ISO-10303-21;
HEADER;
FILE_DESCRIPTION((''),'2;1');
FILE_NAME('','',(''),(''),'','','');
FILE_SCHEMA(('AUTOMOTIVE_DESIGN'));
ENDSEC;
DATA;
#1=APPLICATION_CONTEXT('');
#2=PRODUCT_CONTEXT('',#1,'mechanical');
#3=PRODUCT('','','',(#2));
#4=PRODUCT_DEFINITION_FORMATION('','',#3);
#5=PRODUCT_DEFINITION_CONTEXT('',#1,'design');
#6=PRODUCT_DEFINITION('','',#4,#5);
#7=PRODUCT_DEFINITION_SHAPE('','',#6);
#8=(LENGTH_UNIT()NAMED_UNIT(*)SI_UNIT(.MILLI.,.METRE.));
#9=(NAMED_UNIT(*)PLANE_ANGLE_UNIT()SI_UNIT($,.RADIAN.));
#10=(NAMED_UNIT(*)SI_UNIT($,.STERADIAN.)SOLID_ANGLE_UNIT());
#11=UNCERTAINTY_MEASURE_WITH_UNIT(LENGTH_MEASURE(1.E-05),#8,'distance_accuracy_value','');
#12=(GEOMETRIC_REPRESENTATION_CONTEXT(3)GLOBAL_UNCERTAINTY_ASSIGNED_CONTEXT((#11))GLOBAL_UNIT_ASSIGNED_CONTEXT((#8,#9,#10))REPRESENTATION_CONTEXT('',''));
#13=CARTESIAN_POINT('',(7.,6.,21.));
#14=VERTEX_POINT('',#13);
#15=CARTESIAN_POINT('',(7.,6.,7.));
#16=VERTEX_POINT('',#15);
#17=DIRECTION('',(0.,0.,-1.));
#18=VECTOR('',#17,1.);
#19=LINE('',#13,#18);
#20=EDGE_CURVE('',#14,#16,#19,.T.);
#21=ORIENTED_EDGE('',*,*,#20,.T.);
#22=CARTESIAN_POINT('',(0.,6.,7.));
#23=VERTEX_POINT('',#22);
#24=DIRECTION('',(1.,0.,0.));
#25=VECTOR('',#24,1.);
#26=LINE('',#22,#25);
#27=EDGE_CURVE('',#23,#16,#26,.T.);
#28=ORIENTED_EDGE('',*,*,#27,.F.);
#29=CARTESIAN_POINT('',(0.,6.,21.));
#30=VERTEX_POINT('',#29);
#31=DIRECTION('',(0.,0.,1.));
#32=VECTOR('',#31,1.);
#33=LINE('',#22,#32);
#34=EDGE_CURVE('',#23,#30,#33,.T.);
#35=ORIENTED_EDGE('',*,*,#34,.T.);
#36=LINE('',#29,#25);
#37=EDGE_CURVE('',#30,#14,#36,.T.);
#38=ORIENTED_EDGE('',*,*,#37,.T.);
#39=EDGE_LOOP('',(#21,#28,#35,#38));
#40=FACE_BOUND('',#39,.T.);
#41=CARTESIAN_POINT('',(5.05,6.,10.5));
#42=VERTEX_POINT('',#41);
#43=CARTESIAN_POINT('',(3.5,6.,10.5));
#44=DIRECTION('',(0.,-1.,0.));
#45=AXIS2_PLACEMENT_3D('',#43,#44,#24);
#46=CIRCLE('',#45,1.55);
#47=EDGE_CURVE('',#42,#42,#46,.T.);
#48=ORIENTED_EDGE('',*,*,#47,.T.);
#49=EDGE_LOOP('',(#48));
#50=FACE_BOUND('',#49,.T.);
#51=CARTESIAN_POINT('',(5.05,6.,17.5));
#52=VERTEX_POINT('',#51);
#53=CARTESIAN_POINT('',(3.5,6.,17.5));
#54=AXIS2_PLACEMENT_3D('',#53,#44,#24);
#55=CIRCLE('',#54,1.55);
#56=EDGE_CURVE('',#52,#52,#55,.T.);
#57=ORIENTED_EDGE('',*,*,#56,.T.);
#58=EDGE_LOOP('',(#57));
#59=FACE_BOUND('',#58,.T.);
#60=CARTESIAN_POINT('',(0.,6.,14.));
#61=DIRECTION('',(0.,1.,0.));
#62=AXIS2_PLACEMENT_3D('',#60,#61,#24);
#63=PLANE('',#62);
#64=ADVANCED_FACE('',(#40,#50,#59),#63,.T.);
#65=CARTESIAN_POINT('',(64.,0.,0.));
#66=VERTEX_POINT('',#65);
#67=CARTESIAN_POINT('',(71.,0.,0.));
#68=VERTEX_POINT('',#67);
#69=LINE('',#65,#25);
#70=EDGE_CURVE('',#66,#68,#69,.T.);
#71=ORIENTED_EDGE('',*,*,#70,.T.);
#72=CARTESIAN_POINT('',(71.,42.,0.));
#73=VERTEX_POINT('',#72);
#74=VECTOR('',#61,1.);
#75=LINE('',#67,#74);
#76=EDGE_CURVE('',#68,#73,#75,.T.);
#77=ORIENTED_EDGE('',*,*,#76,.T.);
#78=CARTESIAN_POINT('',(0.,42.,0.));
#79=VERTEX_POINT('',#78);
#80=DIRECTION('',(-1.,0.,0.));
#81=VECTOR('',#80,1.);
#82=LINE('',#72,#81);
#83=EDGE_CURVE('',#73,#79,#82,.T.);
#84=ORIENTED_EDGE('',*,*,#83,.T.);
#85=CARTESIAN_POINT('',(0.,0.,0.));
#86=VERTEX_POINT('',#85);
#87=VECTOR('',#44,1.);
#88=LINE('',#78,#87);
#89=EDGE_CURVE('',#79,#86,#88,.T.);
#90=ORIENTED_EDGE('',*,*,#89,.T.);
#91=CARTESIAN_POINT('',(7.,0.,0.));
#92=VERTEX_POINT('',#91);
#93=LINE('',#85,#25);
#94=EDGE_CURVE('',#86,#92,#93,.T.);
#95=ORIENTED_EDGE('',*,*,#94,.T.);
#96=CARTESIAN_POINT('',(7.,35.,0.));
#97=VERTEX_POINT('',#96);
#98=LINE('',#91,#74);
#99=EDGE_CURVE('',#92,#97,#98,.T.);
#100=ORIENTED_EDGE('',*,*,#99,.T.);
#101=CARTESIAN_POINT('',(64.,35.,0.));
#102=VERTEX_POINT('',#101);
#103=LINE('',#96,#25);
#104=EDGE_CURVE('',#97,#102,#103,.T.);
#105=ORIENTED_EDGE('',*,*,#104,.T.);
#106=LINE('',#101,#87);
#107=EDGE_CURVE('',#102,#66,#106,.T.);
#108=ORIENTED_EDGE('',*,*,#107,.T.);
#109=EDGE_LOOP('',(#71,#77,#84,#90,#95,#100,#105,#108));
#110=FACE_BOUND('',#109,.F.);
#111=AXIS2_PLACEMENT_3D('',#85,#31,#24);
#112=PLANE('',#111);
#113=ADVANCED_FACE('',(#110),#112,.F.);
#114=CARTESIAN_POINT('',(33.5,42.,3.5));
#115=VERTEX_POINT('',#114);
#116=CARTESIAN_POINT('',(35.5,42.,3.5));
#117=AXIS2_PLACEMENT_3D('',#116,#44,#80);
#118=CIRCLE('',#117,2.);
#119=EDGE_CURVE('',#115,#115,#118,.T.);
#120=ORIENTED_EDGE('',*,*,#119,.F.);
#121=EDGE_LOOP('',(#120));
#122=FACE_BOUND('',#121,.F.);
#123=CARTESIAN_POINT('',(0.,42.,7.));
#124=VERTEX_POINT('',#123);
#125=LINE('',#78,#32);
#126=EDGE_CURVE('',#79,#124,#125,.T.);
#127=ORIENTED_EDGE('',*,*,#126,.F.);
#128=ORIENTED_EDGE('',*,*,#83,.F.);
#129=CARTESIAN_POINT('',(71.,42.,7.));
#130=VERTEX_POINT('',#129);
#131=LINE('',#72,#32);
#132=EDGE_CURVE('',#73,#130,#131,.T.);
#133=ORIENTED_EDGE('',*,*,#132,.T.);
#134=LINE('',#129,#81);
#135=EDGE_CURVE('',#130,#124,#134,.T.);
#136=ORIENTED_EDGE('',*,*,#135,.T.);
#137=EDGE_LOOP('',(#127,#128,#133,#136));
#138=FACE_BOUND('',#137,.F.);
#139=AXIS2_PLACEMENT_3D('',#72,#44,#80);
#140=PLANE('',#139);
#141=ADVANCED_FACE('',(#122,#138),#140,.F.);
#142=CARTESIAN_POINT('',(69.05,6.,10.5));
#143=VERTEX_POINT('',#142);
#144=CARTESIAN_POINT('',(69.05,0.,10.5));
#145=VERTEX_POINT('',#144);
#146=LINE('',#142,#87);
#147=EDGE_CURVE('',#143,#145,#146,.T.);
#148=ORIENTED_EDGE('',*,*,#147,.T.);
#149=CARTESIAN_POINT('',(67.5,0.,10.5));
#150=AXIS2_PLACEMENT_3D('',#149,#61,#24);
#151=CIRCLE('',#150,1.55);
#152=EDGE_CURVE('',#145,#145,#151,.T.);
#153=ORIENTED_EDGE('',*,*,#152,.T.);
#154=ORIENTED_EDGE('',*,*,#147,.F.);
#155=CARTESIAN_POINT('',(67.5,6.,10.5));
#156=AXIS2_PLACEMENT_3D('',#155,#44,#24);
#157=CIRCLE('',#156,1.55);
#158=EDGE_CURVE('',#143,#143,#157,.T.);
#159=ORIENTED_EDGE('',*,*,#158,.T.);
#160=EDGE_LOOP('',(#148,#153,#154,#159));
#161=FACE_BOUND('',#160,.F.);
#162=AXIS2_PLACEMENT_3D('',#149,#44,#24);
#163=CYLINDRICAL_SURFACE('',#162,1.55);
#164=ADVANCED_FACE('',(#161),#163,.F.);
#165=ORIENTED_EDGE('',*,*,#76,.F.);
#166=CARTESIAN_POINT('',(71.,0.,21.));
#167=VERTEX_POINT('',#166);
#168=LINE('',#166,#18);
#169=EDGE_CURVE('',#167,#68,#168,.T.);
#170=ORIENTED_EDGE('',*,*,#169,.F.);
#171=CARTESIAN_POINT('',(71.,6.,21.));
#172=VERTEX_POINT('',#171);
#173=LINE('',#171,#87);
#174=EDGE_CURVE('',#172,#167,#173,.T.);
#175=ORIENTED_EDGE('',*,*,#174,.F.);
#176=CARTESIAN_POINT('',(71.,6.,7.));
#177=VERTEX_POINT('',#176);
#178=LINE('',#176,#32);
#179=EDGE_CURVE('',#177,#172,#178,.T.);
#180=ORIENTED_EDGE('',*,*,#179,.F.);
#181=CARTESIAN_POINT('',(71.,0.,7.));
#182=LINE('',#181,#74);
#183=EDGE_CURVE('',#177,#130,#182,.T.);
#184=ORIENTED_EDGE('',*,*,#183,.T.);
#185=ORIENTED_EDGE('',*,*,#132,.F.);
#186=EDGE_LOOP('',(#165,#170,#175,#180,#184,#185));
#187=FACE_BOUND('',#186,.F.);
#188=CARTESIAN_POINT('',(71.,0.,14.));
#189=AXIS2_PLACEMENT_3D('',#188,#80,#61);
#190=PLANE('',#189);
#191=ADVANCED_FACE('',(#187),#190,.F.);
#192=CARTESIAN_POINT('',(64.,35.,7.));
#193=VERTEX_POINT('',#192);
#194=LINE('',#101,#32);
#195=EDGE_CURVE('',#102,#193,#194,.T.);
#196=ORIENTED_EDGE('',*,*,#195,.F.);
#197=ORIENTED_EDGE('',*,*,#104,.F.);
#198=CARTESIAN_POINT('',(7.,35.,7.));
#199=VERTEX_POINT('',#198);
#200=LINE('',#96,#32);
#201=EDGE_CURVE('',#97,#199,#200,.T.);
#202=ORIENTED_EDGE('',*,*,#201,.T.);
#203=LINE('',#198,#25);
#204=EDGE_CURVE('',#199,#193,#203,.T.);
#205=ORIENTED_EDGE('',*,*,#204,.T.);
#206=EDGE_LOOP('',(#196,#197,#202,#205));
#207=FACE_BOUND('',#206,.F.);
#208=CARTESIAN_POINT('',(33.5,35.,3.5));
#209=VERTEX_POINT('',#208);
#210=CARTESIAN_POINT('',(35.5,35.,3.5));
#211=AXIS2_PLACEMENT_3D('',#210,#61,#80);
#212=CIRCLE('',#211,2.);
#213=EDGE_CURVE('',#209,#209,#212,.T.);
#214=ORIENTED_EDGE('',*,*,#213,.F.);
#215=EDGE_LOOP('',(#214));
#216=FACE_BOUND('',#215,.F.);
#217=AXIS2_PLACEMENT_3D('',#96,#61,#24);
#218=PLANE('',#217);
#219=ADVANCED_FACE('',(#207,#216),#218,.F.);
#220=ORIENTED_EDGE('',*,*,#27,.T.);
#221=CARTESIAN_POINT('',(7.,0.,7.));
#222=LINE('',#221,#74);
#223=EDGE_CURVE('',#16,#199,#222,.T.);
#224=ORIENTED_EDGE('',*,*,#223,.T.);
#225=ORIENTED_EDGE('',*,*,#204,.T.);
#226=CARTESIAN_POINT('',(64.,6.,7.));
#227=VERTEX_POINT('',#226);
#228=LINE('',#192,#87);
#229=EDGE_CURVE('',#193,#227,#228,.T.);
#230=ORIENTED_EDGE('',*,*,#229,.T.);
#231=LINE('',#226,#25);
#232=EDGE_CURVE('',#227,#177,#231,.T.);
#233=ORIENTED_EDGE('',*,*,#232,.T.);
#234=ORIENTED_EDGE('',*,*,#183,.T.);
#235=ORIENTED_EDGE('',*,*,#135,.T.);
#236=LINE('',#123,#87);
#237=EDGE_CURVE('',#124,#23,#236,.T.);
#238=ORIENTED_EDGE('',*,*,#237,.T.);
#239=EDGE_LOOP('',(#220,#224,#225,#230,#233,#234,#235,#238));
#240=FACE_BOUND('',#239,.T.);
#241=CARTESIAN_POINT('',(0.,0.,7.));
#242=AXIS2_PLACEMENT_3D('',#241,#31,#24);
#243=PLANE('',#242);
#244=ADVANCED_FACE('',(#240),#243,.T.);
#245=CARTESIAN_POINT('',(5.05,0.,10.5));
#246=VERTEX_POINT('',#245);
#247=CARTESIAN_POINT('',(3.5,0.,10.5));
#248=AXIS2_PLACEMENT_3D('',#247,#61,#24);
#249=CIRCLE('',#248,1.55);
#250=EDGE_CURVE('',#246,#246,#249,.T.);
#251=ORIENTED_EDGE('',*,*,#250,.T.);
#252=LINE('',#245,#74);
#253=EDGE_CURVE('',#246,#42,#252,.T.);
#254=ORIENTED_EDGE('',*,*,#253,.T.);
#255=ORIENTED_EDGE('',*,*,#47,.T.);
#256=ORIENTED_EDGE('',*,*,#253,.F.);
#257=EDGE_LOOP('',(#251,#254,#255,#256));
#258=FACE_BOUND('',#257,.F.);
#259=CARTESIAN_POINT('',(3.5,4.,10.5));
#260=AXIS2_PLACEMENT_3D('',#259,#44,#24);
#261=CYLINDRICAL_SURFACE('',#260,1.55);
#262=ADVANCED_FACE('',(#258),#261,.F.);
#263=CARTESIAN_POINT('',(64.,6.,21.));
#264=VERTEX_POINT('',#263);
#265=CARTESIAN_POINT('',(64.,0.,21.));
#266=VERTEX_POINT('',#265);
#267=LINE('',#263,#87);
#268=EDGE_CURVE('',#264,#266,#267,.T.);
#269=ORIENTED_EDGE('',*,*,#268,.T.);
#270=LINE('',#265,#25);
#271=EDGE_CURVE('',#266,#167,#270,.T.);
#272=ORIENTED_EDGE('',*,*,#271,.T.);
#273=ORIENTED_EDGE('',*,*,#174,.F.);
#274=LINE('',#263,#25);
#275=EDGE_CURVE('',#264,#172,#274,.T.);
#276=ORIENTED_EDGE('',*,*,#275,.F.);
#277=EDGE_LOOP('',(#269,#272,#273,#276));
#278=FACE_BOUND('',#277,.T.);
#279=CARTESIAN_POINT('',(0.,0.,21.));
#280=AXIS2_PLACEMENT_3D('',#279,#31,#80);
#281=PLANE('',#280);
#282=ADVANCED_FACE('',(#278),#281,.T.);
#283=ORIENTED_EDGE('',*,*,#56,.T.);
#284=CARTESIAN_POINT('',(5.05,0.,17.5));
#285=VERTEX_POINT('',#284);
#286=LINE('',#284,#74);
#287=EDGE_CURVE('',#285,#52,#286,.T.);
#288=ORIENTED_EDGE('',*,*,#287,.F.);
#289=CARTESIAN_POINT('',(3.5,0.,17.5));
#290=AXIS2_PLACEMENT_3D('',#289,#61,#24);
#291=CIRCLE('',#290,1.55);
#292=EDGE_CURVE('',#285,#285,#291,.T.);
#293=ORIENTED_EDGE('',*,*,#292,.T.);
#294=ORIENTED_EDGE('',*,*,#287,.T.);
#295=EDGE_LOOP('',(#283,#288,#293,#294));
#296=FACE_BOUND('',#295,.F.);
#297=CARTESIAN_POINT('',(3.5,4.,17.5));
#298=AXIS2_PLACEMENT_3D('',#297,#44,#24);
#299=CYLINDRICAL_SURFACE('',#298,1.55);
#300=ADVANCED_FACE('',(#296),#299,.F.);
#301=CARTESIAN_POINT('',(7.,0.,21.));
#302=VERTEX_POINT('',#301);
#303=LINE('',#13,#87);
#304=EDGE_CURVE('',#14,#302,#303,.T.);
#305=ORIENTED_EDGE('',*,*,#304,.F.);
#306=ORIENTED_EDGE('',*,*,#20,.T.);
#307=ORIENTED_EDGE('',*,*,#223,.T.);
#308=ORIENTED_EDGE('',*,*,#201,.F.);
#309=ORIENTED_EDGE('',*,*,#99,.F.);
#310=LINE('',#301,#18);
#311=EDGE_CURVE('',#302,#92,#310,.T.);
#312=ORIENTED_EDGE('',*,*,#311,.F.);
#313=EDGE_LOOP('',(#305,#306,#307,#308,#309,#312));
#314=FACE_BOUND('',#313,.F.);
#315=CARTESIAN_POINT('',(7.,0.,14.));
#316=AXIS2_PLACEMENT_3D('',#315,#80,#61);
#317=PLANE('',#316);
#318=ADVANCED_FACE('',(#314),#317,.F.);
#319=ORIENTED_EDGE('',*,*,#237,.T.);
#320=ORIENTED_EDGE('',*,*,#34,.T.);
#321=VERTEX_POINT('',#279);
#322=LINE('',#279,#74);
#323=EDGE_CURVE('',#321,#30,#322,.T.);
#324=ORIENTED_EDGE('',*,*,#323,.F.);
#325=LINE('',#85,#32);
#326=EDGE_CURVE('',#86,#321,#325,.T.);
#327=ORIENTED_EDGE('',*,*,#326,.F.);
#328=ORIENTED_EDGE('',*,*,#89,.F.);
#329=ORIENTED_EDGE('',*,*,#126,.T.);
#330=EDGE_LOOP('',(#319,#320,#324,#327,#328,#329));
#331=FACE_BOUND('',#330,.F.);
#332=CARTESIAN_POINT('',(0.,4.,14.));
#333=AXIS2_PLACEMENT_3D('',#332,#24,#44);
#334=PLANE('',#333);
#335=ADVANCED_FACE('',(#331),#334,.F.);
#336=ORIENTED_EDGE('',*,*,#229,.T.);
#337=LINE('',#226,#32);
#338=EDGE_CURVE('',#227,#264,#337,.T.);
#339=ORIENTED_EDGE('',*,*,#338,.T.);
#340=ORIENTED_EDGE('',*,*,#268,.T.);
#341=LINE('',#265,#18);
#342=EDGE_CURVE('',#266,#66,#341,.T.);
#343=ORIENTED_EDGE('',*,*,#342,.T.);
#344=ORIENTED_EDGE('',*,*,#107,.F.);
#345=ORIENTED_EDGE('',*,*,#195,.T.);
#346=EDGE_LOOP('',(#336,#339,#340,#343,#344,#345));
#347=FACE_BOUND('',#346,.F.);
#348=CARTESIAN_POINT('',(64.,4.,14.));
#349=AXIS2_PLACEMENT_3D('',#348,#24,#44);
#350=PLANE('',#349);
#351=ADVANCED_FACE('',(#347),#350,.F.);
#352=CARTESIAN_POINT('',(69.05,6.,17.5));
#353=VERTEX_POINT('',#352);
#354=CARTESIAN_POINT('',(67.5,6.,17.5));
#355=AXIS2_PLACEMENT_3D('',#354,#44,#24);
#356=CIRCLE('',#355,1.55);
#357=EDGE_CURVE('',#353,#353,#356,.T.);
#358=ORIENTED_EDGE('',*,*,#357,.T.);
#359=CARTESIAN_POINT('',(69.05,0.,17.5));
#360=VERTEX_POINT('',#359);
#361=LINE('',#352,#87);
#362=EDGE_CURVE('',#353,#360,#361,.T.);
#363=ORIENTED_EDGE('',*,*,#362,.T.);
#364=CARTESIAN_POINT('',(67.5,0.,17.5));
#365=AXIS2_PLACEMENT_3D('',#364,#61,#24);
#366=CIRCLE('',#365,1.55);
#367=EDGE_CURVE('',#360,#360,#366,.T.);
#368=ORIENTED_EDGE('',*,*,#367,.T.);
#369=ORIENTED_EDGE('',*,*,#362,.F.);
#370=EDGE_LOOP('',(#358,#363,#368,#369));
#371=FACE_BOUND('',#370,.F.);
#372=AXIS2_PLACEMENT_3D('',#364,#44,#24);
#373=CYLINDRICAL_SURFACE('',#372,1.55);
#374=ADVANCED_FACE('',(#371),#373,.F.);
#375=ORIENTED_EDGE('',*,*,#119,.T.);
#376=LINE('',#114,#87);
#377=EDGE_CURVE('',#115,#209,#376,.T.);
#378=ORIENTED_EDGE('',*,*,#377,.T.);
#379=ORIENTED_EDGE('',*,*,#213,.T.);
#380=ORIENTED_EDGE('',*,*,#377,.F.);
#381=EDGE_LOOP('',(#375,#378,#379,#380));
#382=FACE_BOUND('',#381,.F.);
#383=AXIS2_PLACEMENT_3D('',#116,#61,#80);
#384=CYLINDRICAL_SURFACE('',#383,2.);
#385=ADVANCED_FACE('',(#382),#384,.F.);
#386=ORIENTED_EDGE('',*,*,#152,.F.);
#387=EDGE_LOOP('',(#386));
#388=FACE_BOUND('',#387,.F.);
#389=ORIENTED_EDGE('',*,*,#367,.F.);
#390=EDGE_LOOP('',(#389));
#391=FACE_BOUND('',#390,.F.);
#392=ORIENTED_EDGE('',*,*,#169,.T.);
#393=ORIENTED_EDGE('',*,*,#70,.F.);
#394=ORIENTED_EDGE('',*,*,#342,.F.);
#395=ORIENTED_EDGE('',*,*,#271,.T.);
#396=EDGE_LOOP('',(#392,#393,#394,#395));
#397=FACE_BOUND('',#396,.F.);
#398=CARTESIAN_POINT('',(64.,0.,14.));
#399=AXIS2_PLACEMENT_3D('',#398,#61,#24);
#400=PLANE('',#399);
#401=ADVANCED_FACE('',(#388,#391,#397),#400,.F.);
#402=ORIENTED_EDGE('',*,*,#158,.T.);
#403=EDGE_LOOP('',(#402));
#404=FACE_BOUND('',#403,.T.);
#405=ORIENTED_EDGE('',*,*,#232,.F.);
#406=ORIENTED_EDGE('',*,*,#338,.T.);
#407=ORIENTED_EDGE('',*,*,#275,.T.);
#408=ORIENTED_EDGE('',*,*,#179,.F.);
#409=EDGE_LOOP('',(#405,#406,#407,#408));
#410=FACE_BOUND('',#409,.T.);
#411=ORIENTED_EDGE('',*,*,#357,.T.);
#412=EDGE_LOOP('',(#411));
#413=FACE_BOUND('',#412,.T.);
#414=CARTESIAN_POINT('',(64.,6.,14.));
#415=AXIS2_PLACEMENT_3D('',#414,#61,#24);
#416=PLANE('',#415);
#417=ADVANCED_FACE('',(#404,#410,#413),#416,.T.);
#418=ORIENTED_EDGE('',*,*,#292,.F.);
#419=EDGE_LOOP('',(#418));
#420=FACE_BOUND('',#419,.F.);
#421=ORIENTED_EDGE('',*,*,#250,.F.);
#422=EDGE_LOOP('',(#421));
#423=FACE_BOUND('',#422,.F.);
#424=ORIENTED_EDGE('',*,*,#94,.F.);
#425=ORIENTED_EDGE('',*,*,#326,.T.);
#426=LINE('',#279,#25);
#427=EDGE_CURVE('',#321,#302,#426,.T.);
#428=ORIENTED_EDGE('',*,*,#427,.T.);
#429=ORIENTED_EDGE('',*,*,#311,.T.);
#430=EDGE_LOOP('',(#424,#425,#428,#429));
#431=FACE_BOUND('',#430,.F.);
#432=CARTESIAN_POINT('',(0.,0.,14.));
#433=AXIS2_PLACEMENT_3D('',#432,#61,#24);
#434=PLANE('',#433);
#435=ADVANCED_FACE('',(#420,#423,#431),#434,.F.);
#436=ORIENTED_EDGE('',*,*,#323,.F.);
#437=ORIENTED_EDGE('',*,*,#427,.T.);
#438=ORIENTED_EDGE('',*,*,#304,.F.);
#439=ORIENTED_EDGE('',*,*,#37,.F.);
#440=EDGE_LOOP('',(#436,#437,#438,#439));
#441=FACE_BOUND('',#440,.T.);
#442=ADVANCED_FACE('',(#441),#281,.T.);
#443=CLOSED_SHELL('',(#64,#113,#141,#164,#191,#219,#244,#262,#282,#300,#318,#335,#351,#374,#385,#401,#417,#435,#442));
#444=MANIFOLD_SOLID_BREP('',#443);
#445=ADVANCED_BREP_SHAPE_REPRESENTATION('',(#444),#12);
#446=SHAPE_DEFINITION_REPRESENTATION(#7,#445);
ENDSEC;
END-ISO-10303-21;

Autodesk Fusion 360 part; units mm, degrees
sketch "Sketch1" plane through (0, 0, 0) normal (0, 0, 1) x (1, 0, 0)
  line L0 (0, 0) -> (7, 0)
  line L1 (7, 0) -> (7, 35)
  line L2 (7, 35) -> (64, 35)
  line L3 (64, 35) -> (64, 0)
  line L4 (64, 0) -> (71, 0)
  line L5 (71, 0) -> (71, 42)
  line L6 (71, 42) -> (0, 42)
  line L7 (0, 42) -> (0, 0)
  dimension "d1" = 7
  dimension "d2" = 35
  dimension "d3" = 57
  dimension "d9" = 7
extrude "Extrude1" add sketch "Sketch1" along normal blind 7
sketch "Sketch2" plane through (0, 0, 7) normal (0, 0, 1) x (-1, 0, 0)
  line L0 (0, -42) -> (0, 0)
  line L1 (0, 0) -> (-7, 0)
  line L2 (-7, 0) -> (-7, -35)
  line L3 (-7, -35) -> (-64, -35)
  line L4 (-64, -35) -> (-64, 0)
  line L5 (-64, 0) -> (-71, 0)
  line L6 (-71, 0) -> (-71, -42)
  line L7 (-71, -42) -> (0, -42)
  line L8 (0, -4) -> (-7, -4)
  line L9 (-64, -4) -> (-71, -4)
  dimension "d10" = 4
extrude "Extrude2" add sketch "Sketch2" along normal blind 7 contours L0 L1 L2 L8 | L4 L5 L6 L9
extrude "Extrude4" add 1 faces at (4.6667, 2.6667, 14) along direction (0, 0, 1) blind 7
extrude "Extrude5" add 1 faces at (66.3333, 2.6667, 14) along direction (0, 0, 1) blind 7
sketch "Sketch5" plane through (0, 42, 0) normal (0, 1, 0) x (-1, 0, 0)
  line L0 (-71, 0) -> (0, 0)
  line L1 (0, 0) -> (0, 7)
  line L2 (0, 7) -> (-71, 7)
  line L3 (-71, 7) -> (-71, 0)
  line L4 (-71, 7) -> (0, 0)
  line L5 (0, 7) -> (-71, 0)
  circle A0 centre (-35.5, 3.5) radius 2
  dimension "d25" = 4
extrude "Extrude7" cut sketch "Sketch5" against normal blind 100 contours L4 L5 A0 | L4 L5 A0 | L4 L5 A0 | L4 L5 A0
sketch "Sketch6" plane through (0, 0, 0) normal (0, -1, 0) x (1, 0, 0)
  line L0 (0, 0) -> (7, 0)
  line L1 (7, 0) -> (7, 21)
  line L2 (7, 21) -> (0, 21)
  line L3 (0, 21) -> (0, 0)
  line L4 (3.5, 21) -> (3.5, 17.5)
  circle A0 centre (3.5, 17.5) radius 1.55
  line L5 (3.5, 17.5) -> (3.5, 10.5)
  circle A1 centre (3.5, 10.5) radius 1.55
  dimension "d28" = 3.5
  dimension "d29" = 3.1
  dimension "d30" = 7
sketch "Sketch7" plane through (0, 0, 0) normal (0, -1, 0) x (1, 0, 0)
  line L0 (64, 0) -> (71, 0)
  line L1 (71, 0) -> (71, 21)
  line L2 (71, 21) -> (64, 21)
  line L3 (64, 21) -> (64, 0)
  line L4 (67.5, 21) -> (67.5, 17.5)
  line L5 (67.5, 17.5) -> (67.5, 10.5)
  circle A0 centre (67.5, 17.5) radius 1.55
  circle A1 centre (67.5, 10.5) radius 1.55
  dimension "d31" = 3.5
  dimension "d32" = 7
  dimension "d33" = 3.1
extrude "Extrude8" cut sketch "Sketch6" sketch "Sketch7" against normal blind 100 contours L4 A0 L5 | L4 A0 L5 | A1 of sketch 2 contours L4 L5 A0 | L4 L5 A0 | A1
extrude "Extrude9" add 2 faces at (6.327, 4, 15.0144) (64.673, 4, 15.0144) along direction (0, 1, 0) blind 2
